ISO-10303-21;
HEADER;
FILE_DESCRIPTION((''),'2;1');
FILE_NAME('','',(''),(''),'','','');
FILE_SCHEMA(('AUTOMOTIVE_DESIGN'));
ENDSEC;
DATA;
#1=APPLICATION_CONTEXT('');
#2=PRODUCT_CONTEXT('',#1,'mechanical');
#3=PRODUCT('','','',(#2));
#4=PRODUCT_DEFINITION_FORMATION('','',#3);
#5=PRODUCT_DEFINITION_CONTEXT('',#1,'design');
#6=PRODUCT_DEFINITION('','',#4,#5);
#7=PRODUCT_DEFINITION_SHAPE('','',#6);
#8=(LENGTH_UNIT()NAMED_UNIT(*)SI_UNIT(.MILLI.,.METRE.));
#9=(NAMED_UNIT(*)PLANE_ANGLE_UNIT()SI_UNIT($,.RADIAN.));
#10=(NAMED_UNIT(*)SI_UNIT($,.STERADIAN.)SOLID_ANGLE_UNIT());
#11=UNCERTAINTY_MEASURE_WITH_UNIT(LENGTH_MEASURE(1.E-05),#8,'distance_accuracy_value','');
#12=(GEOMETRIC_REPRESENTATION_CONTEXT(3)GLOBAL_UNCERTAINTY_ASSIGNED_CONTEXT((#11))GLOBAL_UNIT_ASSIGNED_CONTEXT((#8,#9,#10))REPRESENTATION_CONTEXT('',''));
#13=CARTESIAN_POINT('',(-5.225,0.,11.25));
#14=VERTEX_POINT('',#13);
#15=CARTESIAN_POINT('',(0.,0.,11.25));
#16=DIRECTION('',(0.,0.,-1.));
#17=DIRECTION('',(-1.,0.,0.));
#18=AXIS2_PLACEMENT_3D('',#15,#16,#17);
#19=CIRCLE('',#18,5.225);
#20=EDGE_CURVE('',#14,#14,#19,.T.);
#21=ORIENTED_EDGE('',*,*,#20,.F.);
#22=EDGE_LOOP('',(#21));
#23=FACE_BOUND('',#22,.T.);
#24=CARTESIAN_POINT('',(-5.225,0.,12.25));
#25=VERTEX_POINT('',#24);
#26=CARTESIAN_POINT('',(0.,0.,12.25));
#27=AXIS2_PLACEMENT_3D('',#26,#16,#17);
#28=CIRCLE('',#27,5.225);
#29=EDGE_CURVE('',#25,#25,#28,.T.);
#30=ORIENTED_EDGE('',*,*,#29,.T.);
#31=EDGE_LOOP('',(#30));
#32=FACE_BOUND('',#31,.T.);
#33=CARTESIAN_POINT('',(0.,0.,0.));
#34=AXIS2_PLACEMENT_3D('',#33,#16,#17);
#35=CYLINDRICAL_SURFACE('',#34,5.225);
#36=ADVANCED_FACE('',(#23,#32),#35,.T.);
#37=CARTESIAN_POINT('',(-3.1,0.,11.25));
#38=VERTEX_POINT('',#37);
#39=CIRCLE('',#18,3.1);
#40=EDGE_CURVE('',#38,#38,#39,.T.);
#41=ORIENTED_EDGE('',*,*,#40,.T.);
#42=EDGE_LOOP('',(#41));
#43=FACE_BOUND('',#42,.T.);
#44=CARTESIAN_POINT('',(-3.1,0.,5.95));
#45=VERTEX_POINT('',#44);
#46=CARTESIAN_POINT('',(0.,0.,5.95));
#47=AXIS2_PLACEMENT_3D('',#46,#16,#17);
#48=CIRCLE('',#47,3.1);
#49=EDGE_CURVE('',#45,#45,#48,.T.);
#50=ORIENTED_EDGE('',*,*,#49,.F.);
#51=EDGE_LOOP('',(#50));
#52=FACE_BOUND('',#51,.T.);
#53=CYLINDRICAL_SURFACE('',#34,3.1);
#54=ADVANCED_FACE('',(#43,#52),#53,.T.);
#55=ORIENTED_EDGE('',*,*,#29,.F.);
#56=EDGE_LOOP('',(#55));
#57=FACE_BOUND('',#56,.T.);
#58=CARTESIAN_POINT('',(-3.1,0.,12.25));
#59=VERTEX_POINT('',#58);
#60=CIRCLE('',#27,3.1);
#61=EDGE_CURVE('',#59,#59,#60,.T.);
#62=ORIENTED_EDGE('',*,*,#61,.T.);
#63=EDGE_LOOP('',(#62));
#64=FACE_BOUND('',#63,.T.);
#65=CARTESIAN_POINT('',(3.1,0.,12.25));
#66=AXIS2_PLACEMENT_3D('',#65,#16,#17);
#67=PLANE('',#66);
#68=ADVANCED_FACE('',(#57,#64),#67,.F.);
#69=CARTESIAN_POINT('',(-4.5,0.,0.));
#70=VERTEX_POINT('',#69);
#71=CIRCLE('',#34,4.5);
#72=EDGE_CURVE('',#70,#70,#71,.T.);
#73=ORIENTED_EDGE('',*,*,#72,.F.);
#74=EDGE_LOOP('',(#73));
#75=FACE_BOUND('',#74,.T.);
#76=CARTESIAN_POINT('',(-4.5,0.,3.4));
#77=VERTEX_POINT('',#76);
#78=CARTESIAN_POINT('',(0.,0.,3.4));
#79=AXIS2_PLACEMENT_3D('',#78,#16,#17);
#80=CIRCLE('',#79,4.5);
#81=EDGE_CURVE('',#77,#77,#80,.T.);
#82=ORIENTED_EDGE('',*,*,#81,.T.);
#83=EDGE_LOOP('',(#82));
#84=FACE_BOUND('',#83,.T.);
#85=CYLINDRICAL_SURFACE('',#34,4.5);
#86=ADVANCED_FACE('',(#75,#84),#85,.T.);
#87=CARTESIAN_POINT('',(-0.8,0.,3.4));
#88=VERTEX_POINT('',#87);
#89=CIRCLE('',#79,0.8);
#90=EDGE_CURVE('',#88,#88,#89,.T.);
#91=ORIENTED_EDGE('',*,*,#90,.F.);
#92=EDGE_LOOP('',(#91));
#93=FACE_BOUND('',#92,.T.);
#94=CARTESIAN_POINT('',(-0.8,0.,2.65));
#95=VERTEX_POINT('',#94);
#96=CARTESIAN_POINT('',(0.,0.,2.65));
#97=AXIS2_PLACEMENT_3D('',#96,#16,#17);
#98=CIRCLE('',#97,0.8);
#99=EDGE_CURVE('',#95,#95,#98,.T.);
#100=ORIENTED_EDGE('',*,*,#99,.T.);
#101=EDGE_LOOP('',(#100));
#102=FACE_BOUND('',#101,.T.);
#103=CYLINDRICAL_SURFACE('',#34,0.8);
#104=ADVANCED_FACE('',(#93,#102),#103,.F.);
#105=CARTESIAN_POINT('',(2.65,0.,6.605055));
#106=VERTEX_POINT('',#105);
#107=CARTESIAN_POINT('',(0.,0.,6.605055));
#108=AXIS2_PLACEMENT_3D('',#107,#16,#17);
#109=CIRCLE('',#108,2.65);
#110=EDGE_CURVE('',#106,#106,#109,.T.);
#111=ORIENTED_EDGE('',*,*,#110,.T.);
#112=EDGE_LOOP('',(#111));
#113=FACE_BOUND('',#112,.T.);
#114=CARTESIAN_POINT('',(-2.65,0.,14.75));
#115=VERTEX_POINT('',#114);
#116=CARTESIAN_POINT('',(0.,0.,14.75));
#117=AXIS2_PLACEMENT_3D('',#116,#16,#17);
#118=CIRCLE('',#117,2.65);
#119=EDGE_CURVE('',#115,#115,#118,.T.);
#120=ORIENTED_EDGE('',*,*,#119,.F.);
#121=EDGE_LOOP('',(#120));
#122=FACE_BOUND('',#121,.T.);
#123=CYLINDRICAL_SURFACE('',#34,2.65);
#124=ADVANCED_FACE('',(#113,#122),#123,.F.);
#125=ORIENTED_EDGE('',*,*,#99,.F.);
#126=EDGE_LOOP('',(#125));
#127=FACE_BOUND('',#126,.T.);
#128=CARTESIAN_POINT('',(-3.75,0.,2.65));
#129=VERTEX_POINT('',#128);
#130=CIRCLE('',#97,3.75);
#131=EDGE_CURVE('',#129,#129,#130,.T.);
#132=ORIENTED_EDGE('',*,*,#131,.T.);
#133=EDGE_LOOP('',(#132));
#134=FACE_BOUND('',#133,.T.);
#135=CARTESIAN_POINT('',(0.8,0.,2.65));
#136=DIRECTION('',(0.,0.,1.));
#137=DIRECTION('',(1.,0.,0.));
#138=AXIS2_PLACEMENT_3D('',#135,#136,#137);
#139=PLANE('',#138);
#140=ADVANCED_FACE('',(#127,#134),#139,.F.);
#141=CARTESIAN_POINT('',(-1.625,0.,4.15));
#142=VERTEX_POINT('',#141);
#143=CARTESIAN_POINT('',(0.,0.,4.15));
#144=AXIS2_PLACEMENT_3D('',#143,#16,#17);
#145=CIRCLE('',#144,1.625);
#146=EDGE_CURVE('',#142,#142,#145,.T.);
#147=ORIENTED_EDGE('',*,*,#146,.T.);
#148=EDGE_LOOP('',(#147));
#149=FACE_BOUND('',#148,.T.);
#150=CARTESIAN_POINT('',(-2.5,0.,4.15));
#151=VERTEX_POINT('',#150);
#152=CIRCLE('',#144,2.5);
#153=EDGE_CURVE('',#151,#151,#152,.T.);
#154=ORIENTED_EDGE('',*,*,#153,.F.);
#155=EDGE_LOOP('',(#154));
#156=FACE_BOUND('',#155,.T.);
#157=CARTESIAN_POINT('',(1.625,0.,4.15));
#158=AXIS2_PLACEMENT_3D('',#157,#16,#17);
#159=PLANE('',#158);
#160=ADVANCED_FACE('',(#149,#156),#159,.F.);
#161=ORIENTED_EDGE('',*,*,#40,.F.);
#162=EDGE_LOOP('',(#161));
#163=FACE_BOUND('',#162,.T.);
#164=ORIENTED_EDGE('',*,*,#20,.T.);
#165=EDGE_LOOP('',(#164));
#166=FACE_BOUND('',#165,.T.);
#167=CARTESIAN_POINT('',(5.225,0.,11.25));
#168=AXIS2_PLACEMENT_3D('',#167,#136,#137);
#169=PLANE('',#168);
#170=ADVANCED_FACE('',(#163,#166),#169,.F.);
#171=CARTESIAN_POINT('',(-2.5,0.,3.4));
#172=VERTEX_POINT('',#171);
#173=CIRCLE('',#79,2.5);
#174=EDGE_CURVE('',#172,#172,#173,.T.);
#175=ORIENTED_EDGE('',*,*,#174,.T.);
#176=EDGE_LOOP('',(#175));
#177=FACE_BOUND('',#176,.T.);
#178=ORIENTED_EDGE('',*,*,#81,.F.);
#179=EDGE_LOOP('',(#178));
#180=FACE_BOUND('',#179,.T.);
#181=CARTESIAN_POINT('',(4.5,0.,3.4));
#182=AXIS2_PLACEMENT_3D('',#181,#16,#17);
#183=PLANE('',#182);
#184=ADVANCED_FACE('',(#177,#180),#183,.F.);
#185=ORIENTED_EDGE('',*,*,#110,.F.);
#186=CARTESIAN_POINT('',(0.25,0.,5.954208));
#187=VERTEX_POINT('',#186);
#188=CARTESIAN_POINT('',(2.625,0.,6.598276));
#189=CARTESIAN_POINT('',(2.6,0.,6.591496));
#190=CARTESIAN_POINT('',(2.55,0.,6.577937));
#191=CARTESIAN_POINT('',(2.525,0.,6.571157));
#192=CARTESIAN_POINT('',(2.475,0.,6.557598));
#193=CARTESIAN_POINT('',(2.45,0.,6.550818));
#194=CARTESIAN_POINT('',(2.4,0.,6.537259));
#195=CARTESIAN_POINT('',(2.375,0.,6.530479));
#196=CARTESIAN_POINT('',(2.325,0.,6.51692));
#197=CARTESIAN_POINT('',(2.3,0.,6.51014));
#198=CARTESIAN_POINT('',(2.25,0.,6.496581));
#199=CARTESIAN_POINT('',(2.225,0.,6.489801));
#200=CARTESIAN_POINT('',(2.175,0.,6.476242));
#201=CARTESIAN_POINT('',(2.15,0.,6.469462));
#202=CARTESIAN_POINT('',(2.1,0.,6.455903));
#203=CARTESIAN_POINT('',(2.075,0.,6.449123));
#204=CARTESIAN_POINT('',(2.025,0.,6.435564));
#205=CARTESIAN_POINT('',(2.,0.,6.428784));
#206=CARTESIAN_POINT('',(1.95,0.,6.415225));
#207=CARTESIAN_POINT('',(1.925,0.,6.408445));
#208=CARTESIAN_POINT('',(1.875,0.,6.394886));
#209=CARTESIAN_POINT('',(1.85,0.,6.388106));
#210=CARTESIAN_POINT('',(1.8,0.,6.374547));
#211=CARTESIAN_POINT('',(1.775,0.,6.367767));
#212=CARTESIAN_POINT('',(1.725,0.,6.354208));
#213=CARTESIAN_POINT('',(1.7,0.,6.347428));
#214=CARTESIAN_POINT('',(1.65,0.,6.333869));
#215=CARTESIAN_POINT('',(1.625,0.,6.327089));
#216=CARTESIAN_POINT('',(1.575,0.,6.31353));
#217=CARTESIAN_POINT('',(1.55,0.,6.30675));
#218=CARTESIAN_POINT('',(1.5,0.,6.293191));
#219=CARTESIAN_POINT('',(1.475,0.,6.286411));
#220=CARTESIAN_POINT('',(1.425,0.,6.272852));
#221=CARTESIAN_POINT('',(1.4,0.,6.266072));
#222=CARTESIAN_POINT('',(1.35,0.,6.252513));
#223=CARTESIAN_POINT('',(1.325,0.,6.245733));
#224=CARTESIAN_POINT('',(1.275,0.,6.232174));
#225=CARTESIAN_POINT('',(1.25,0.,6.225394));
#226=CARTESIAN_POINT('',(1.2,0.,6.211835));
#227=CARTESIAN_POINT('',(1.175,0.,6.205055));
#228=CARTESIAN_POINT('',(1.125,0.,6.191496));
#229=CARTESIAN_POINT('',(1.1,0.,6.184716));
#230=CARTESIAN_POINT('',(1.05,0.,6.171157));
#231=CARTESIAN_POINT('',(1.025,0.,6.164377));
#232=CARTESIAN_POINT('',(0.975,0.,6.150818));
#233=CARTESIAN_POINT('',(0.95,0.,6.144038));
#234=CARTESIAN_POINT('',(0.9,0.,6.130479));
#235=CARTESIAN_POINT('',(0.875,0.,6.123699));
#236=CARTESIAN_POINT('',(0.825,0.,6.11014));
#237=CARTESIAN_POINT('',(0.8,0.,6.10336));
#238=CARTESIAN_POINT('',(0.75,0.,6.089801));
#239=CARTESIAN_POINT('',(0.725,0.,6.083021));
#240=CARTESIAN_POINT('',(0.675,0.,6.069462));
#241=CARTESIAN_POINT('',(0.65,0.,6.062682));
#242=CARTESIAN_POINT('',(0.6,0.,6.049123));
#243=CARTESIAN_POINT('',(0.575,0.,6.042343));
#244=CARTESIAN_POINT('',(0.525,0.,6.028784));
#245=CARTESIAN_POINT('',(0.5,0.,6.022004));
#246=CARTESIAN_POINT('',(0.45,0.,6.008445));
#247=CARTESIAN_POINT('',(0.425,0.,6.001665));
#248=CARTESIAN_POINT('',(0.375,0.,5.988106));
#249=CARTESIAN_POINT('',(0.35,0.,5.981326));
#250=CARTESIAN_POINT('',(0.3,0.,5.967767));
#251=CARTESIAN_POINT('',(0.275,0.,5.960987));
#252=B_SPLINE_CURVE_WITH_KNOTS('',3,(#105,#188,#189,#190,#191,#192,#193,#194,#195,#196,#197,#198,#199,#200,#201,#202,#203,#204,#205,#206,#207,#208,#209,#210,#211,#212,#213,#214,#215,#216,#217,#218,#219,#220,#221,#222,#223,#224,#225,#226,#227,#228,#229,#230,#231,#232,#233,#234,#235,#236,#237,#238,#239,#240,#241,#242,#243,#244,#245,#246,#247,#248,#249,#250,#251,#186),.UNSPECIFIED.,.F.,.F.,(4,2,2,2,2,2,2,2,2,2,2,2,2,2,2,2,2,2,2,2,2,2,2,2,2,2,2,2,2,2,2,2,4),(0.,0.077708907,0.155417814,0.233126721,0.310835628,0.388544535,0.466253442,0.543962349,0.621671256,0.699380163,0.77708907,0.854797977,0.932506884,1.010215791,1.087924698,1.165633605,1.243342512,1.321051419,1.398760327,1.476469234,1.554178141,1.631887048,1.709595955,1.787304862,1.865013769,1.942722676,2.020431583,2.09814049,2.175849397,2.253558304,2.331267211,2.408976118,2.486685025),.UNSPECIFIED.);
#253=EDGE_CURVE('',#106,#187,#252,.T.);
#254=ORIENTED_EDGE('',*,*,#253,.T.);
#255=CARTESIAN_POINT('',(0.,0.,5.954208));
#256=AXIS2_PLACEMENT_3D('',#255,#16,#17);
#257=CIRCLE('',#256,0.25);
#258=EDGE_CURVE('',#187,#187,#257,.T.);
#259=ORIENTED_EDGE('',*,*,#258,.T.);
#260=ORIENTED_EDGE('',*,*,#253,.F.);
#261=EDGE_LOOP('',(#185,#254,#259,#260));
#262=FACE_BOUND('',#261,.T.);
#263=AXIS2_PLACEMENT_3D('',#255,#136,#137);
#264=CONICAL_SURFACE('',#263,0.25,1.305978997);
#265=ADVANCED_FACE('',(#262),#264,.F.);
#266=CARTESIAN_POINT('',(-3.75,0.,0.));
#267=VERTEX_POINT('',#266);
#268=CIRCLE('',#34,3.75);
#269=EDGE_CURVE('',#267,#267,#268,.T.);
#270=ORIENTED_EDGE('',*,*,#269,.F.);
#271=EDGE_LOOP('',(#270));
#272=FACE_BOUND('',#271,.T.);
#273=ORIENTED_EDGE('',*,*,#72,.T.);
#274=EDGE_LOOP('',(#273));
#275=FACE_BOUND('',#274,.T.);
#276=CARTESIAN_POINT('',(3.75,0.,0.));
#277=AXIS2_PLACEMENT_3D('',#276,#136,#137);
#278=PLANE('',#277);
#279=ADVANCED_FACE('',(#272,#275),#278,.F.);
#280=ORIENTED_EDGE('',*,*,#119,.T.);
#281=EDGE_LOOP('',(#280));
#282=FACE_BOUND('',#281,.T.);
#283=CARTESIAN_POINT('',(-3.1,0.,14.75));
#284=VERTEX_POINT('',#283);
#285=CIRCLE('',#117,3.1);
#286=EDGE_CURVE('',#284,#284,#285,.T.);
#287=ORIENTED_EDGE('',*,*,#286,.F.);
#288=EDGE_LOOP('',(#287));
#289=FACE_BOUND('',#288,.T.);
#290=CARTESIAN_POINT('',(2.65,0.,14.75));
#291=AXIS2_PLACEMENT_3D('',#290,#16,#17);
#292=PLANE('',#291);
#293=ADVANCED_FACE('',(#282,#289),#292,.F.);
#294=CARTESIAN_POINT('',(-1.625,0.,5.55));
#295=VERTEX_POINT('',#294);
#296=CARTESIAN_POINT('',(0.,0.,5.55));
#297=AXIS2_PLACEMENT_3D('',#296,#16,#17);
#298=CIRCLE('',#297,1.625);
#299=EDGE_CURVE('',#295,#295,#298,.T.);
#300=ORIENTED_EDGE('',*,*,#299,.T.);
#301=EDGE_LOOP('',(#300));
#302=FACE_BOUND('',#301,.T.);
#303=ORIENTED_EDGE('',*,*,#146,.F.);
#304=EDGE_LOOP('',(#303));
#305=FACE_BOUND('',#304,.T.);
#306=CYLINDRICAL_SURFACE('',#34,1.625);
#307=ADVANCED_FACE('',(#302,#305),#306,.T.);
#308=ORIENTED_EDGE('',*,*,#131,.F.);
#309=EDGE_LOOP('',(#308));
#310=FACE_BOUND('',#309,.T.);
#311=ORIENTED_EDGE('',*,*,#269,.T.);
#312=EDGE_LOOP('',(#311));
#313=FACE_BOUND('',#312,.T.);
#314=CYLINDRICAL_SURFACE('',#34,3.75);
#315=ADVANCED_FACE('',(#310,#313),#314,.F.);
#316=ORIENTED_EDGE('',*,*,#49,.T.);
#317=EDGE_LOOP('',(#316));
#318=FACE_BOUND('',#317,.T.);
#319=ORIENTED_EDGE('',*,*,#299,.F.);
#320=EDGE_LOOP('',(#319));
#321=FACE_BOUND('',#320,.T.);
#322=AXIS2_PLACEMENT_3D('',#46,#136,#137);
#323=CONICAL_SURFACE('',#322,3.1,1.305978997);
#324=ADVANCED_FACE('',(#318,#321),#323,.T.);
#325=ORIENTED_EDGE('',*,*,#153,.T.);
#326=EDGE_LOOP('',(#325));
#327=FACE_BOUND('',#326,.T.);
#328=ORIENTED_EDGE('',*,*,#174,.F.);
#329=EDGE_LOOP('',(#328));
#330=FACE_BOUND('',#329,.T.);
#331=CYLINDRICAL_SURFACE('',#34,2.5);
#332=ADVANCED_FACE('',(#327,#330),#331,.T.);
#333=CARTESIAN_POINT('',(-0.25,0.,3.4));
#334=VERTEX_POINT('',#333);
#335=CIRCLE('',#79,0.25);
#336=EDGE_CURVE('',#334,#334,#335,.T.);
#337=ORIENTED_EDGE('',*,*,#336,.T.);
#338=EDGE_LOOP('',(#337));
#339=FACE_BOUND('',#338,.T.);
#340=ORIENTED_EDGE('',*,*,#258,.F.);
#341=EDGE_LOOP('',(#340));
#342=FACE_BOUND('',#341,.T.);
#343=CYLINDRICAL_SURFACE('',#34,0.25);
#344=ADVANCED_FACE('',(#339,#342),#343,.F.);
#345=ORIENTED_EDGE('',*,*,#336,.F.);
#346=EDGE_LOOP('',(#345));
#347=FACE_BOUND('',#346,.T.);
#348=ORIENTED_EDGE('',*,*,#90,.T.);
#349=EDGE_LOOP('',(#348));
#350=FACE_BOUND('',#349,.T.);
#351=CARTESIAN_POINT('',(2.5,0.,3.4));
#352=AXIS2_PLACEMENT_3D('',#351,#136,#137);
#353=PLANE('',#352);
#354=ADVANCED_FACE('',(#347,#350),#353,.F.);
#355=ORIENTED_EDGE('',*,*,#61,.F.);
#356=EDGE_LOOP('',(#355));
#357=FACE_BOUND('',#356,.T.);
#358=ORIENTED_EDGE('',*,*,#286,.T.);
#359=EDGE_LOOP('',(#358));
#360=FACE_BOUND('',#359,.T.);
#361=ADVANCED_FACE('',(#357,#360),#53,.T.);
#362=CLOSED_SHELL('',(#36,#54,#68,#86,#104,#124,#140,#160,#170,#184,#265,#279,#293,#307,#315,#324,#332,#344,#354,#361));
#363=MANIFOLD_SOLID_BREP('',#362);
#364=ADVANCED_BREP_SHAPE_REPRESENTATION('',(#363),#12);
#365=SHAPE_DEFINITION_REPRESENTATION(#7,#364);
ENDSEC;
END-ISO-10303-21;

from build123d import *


with BuildPart() as part:
    # Body Sketch → Body Revolve (revolve)
    with BuildSketch(Plane(origin=(0, 0, 0), x_dir=(1, 0, 0), z_dir=(0, 1, 0)), mode=Mode.PRIVATE) as body_revolve_sk:
        Polygon((2.65, -14.75), (3.1, -14.75), (3.1, -12.25), (5.225, -12.25), (5.225, -11.25), (3.1, -11.25), (3.1, -5.95), (1.625, -5.55), (1.625, -4.15), (2.5, -4.15), (2.5, -3.4), (0.25, -3.4), (0.25, -5.954207714), (2.65, -6.605055172), align=None)
    revolve(body_revolve_sk.sketch.rotate(Axis((0, 0, 0), (0, 0, 1)), 180), axis=Axis((0, 0, 0), (0, 0, 1)))

    # N75 Sketch → N75 Revolve (revolve)
    with BuildSketch(Plane(origin=(0, 0, 0), x_dir=(1, 0, 0), z_dir=(0, 1, 0)), mode=Mode.PRIVATE) as n75_revolve_sk:
        Polygon((3.75, 0), (4.5, 0), (4.5, -3.4), (0.8, -3.4), (0.8, -2.65), (3.75, -2.65), align=None)
    revolve(n75_revolve_sk.sketch.rotate(Axis((0, 0, 0), (0, 0, 1)), 180), axis=Axis((0, 0, 0), (0, 0, 1)))


solid = part.part
